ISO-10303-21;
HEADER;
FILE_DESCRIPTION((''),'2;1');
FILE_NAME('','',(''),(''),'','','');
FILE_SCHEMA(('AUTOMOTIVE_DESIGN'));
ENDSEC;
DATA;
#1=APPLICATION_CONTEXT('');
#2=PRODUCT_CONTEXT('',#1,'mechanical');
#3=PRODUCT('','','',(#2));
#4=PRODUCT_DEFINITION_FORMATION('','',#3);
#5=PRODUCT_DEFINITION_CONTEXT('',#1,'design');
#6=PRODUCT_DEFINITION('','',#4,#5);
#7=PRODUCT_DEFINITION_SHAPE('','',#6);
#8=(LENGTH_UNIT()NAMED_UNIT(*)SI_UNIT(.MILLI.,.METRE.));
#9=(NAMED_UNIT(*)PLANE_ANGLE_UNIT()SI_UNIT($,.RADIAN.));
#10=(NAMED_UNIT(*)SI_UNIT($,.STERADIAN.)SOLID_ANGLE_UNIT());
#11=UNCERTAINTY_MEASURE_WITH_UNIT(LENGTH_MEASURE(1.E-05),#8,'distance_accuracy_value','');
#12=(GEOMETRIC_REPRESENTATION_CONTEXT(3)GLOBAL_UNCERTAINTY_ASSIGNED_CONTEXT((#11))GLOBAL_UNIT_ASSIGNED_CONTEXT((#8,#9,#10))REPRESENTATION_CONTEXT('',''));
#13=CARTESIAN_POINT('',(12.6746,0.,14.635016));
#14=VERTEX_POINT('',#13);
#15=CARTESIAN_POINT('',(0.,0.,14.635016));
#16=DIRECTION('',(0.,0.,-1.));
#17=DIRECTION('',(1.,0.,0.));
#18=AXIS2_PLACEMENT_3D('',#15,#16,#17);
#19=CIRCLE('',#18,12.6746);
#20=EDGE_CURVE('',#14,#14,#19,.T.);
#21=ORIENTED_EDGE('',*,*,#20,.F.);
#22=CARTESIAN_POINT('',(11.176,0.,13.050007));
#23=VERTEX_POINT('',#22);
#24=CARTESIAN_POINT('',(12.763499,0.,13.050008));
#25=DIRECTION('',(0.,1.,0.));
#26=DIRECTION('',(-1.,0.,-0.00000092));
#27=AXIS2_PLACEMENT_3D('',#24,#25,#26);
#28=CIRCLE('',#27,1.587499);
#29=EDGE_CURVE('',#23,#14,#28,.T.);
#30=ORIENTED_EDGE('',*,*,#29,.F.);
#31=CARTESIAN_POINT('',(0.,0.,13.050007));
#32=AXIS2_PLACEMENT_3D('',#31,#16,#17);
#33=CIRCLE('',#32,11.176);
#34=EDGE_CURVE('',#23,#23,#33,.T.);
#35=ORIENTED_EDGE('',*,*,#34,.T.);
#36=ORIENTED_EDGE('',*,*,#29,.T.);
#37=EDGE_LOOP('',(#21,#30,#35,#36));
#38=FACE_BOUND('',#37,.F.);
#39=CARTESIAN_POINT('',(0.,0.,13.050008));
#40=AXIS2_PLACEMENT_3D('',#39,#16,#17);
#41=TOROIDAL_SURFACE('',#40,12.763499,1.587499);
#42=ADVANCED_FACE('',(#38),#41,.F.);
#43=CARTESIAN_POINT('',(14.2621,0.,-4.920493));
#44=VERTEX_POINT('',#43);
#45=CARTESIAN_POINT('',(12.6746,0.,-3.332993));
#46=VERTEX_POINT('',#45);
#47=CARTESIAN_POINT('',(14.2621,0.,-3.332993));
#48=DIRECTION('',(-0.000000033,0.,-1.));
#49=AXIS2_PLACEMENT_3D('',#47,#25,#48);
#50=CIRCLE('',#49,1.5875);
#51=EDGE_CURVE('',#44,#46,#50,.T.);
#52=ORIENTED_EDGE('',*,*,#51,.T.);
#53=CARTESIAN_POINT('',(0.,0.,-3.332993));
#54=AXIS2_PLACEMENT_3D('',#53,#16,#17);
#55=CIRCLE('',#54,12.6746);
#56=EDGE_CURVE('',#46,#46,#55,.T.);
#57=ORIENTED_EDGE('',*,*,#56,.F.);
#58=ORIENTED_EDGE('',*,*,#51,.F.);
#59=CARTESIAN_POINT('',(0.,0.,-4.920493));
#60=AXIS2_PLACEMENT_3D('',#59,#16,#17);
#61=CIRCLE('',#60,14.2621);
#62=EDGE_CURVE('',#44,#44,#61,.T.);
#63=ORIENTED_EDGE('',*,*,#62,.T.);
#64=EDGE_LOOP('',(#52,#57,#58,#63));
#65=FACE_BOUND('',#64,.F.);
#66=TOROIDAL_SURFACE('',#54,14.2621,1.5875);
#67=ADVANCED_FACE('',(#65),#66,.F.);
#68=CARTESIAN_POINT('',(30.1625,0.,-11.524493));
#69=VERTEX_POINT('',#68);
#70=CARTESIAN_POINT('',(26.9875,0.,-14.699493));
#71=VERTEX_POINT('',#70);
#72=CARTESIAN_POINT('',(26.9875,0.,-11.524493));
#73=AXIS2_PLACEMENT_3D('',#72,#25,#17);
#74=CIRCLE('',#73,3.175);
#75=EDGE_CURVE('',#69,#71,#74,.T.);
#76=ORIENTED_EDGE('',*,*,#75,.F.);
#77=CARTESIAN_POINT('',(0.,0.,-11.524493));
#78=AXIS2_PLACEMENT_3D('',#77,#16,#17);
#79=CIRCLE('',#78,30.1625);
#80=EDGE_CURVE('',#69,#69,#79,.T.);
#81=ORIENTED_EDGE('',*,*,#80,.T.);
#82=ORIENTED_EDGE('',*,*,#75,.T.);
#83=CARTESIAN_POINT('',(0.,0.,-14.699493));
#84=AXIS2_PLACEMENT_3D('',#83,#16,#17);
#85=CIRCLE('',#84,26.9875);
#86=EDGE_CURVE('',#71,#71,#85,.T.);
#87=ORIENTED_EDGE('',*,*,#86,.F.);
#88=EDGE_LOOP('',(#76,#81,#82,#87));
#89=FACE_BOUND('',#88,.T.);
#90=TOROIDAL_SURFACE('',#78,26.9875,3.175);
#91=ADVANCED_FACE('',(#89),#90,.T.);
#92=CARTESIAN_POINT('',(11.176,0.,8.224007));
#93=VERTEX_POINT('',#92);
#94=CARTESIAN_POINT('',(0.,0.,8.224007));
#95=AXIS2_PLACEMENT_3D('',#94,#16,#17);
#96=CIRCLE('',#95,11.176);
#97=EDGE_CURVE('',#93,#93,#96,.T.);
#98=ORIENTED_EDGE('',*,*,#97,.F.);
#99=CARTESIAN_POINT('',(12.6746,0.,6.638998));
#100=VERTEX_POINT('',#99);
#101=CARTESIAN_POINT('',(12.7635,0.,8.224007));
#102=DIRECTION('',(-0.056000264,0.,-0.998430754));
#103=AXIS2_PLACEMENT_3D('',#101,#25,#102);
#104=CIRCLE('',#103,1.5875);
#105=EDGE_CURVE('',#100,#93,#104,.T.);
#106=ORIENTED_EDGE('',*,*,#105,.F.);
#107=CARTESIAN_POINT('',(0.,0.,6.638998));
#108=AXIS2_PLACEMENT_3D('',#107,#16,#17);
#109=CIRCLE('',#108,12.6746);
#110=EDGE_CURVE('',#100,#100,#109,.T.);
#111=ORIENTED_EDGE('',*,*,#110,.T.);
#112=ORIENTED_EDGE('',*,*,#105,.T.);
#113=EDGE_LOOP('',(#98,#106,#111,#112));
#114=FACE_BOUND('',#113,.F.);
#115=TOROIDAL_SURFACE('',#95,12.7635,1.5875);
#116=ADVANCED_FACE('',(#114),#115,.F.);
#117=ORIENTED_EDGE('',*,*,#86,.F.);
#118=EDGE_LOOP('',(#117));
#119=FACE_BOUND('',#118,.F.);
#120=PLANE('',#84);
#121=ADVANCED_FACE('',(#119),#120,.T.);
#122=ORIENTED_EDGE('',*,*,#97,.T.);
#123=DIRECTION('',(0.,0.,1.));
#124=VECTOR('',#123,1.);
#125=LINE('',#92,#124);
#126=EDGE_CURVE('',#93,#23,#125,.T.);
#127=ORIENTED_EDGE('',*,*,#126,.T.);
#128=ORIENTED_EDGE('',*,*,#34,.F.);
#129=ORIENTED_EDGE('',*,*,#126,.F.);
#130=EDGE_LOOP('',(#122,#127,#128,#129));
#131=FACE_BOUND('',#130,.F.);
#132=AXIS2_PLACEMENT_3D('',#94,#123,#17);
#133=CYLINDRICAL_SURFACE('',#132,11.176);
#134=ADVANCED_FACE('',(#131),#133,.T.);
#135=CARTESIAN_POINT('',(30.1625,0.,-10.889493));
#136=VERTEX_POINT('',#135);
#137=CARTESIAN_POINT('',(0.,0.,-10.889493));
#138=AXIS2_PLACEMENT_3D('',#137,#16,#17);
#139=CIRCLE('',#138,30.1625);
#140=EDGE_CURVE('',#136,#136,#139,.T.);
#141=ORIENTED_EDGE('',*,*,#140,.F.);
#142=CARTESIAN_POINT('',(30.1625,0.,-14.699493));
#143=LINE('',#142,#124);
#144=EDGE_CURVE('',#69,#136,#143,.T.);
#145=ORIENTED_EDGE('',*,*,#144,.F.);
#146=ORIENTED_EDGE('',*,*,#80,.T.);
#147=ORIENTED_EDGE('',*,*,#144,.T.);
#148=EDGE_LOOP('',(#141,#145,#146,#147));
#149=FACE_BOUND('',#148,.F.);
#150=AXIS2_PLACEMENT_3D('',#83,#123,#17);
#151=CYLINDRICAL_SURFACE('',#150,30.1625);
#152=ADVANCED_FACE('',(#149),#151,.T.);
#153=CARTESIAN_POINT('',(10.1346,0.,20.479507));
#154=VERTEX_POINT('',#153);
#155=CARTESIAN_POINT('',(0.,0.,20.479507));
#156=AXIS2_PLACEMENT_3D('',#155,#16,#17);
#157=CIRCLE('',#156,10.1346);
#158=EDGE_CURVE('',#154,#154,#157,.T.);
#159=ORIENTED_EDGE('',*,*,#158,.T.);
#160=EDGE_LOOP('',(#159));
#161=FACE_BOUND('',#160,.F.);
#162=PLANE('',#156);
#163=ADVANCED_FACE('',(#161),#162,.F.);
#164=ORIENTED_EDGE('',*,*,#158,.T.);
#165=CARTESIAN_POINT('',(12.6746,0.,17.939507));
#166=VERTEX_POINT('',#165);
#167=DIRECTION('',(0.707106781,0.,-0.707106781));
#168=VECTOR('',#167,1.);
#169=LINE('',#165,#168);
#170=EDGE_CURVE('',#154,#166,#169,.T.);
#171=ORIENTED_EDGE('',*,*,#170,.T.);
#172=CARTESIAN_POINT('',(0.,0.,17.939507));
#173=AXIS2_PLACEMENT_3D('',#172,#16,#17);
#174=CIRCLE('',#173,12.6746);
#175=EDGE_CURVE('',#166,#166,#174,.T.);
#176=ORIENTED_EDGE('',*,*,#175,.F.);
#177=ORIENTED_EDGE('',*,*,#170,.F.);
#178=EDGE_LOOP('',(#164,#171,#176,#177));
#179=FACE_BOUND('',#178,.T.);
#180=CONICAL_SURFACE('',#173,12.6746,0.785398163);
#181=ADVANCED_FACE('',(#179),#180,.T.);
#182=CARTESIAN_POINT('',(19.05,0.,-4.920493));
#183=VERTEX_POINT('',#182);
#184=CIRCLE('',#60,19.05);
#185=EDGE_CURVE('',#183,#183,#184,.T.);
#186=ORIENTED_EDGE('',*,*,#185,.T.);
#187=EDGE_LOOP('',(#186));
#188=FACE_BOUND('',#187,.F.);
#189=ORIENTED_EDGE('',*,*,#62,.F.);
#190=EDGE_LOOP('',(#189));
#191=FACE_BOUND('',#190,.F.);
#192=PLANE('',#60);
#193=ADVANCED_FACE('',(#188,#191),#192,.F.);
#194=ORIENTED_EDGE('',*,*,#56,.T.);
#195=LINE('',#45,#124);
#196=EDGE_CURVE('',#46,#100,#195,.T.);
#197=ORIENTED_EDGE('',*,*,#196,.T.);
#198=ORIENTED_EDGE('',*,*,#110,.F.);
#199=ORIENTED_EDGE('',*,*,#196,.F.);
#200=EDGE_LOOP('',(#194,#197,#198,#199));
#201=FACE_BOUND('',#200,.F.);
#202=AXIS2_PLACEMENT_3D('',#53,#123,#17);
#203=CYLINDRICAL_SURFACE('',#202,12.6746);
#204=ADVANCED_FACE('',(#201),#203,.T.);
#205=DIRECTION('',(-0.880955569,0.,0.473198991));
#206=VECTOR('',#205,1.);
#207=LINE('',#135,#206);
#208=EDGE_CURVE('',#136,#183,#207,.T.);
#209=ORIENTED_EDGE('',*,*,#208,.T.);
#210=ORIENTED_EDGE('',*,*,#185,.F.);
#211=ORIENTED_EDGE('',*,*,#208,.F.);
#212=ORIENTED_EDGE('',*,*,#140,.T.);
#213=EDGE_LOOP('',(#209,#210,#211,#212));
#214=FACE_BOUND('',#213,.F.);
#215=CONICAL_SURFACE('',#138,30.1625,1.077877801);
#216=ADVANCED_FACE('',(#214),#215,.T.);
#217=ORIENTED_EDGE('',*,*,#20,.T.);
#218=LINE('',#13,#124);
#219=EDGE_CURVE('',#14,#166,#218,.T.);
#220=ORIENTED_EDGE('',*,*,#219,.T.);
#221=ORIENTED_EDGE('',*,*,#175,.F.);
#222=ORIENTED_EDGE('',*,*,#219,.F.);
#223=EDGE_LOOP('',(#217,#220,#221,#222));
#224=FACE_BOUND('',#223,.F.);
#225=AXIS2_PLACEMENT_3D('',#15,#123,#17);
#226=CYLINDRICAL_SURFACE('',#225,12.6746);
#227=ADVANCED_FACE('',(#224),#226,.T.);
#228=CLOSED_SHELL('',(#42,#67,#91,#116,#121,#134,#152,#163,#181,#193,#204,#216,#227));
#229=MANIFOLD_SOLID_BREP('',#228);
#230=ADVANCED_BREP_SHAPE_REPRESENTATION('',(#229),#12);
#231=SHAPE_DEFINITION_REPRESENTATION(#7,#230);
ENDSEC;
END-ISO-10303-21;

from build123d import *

# Parameters (mm, degrees)
F2_SIZE = 2.54
F3_R    = 3.175


with BuildPart() as f1:
    # F0 (on Front) → F1 (revolve)
    with BuildSketch(Plane.XZ):
        with BuildLine():
            Line((12.6746, 20.479507), (0, 20.479507))
            Line((0, 20.479507), (0, -14.699493))
            Line((0, -14.699493), (30.1625, -14.699493))
            Line((30.1625, -14.699493), (30.1625, -10.889493))
            Line((30.1625, -10.889493), (19.05, -4.920493))
            Line((19.05, -4.920493), (14.2621, -4.920493))
            ThreePointArc((14.2621, -4.920493), (13.139568, -4.455525), (12.6746, -3.332993))
            Line((12.6746, -3.332993), (12.6746, 6.636507))
            Line((12.6746, 6.636507), (12.6746, 6.638998))
            ThreePointArc((12.6746, 6.638998), (11.609965, 7.133359), (11.176, 8.224007))
            Line((11.176, 8.224007), (11.176, 13.050007))
            ThreePointArc((11.176, 13.050007), (11.609965, 14.140656), (12.6746, 14.635016))
            Line((12.6746, 14.635016), (12.6746, 14.637507))
            Line((12.6746, 14.637507), (12.6746, 20.479507))
        make_face()
    revolve(axis=Axis((0, 0, 2.082966), (0, 0, -1)))

    # F2
    f2_edges = [f1.edges().sort_by_distance(p)[0] for p in [
        (-12.6746, 0, 20.479507),
    ]]
    chamfer(f2_edges, length=F2_SIZE)

    # F3
    f3_edges = [f1.edges().sort_by_distance(p)[0] for p in [
        (-30.1625, 0, -14.699493),
    ]]
    fillet(f3_edges, radius=F3_R)


solid = f1.part
